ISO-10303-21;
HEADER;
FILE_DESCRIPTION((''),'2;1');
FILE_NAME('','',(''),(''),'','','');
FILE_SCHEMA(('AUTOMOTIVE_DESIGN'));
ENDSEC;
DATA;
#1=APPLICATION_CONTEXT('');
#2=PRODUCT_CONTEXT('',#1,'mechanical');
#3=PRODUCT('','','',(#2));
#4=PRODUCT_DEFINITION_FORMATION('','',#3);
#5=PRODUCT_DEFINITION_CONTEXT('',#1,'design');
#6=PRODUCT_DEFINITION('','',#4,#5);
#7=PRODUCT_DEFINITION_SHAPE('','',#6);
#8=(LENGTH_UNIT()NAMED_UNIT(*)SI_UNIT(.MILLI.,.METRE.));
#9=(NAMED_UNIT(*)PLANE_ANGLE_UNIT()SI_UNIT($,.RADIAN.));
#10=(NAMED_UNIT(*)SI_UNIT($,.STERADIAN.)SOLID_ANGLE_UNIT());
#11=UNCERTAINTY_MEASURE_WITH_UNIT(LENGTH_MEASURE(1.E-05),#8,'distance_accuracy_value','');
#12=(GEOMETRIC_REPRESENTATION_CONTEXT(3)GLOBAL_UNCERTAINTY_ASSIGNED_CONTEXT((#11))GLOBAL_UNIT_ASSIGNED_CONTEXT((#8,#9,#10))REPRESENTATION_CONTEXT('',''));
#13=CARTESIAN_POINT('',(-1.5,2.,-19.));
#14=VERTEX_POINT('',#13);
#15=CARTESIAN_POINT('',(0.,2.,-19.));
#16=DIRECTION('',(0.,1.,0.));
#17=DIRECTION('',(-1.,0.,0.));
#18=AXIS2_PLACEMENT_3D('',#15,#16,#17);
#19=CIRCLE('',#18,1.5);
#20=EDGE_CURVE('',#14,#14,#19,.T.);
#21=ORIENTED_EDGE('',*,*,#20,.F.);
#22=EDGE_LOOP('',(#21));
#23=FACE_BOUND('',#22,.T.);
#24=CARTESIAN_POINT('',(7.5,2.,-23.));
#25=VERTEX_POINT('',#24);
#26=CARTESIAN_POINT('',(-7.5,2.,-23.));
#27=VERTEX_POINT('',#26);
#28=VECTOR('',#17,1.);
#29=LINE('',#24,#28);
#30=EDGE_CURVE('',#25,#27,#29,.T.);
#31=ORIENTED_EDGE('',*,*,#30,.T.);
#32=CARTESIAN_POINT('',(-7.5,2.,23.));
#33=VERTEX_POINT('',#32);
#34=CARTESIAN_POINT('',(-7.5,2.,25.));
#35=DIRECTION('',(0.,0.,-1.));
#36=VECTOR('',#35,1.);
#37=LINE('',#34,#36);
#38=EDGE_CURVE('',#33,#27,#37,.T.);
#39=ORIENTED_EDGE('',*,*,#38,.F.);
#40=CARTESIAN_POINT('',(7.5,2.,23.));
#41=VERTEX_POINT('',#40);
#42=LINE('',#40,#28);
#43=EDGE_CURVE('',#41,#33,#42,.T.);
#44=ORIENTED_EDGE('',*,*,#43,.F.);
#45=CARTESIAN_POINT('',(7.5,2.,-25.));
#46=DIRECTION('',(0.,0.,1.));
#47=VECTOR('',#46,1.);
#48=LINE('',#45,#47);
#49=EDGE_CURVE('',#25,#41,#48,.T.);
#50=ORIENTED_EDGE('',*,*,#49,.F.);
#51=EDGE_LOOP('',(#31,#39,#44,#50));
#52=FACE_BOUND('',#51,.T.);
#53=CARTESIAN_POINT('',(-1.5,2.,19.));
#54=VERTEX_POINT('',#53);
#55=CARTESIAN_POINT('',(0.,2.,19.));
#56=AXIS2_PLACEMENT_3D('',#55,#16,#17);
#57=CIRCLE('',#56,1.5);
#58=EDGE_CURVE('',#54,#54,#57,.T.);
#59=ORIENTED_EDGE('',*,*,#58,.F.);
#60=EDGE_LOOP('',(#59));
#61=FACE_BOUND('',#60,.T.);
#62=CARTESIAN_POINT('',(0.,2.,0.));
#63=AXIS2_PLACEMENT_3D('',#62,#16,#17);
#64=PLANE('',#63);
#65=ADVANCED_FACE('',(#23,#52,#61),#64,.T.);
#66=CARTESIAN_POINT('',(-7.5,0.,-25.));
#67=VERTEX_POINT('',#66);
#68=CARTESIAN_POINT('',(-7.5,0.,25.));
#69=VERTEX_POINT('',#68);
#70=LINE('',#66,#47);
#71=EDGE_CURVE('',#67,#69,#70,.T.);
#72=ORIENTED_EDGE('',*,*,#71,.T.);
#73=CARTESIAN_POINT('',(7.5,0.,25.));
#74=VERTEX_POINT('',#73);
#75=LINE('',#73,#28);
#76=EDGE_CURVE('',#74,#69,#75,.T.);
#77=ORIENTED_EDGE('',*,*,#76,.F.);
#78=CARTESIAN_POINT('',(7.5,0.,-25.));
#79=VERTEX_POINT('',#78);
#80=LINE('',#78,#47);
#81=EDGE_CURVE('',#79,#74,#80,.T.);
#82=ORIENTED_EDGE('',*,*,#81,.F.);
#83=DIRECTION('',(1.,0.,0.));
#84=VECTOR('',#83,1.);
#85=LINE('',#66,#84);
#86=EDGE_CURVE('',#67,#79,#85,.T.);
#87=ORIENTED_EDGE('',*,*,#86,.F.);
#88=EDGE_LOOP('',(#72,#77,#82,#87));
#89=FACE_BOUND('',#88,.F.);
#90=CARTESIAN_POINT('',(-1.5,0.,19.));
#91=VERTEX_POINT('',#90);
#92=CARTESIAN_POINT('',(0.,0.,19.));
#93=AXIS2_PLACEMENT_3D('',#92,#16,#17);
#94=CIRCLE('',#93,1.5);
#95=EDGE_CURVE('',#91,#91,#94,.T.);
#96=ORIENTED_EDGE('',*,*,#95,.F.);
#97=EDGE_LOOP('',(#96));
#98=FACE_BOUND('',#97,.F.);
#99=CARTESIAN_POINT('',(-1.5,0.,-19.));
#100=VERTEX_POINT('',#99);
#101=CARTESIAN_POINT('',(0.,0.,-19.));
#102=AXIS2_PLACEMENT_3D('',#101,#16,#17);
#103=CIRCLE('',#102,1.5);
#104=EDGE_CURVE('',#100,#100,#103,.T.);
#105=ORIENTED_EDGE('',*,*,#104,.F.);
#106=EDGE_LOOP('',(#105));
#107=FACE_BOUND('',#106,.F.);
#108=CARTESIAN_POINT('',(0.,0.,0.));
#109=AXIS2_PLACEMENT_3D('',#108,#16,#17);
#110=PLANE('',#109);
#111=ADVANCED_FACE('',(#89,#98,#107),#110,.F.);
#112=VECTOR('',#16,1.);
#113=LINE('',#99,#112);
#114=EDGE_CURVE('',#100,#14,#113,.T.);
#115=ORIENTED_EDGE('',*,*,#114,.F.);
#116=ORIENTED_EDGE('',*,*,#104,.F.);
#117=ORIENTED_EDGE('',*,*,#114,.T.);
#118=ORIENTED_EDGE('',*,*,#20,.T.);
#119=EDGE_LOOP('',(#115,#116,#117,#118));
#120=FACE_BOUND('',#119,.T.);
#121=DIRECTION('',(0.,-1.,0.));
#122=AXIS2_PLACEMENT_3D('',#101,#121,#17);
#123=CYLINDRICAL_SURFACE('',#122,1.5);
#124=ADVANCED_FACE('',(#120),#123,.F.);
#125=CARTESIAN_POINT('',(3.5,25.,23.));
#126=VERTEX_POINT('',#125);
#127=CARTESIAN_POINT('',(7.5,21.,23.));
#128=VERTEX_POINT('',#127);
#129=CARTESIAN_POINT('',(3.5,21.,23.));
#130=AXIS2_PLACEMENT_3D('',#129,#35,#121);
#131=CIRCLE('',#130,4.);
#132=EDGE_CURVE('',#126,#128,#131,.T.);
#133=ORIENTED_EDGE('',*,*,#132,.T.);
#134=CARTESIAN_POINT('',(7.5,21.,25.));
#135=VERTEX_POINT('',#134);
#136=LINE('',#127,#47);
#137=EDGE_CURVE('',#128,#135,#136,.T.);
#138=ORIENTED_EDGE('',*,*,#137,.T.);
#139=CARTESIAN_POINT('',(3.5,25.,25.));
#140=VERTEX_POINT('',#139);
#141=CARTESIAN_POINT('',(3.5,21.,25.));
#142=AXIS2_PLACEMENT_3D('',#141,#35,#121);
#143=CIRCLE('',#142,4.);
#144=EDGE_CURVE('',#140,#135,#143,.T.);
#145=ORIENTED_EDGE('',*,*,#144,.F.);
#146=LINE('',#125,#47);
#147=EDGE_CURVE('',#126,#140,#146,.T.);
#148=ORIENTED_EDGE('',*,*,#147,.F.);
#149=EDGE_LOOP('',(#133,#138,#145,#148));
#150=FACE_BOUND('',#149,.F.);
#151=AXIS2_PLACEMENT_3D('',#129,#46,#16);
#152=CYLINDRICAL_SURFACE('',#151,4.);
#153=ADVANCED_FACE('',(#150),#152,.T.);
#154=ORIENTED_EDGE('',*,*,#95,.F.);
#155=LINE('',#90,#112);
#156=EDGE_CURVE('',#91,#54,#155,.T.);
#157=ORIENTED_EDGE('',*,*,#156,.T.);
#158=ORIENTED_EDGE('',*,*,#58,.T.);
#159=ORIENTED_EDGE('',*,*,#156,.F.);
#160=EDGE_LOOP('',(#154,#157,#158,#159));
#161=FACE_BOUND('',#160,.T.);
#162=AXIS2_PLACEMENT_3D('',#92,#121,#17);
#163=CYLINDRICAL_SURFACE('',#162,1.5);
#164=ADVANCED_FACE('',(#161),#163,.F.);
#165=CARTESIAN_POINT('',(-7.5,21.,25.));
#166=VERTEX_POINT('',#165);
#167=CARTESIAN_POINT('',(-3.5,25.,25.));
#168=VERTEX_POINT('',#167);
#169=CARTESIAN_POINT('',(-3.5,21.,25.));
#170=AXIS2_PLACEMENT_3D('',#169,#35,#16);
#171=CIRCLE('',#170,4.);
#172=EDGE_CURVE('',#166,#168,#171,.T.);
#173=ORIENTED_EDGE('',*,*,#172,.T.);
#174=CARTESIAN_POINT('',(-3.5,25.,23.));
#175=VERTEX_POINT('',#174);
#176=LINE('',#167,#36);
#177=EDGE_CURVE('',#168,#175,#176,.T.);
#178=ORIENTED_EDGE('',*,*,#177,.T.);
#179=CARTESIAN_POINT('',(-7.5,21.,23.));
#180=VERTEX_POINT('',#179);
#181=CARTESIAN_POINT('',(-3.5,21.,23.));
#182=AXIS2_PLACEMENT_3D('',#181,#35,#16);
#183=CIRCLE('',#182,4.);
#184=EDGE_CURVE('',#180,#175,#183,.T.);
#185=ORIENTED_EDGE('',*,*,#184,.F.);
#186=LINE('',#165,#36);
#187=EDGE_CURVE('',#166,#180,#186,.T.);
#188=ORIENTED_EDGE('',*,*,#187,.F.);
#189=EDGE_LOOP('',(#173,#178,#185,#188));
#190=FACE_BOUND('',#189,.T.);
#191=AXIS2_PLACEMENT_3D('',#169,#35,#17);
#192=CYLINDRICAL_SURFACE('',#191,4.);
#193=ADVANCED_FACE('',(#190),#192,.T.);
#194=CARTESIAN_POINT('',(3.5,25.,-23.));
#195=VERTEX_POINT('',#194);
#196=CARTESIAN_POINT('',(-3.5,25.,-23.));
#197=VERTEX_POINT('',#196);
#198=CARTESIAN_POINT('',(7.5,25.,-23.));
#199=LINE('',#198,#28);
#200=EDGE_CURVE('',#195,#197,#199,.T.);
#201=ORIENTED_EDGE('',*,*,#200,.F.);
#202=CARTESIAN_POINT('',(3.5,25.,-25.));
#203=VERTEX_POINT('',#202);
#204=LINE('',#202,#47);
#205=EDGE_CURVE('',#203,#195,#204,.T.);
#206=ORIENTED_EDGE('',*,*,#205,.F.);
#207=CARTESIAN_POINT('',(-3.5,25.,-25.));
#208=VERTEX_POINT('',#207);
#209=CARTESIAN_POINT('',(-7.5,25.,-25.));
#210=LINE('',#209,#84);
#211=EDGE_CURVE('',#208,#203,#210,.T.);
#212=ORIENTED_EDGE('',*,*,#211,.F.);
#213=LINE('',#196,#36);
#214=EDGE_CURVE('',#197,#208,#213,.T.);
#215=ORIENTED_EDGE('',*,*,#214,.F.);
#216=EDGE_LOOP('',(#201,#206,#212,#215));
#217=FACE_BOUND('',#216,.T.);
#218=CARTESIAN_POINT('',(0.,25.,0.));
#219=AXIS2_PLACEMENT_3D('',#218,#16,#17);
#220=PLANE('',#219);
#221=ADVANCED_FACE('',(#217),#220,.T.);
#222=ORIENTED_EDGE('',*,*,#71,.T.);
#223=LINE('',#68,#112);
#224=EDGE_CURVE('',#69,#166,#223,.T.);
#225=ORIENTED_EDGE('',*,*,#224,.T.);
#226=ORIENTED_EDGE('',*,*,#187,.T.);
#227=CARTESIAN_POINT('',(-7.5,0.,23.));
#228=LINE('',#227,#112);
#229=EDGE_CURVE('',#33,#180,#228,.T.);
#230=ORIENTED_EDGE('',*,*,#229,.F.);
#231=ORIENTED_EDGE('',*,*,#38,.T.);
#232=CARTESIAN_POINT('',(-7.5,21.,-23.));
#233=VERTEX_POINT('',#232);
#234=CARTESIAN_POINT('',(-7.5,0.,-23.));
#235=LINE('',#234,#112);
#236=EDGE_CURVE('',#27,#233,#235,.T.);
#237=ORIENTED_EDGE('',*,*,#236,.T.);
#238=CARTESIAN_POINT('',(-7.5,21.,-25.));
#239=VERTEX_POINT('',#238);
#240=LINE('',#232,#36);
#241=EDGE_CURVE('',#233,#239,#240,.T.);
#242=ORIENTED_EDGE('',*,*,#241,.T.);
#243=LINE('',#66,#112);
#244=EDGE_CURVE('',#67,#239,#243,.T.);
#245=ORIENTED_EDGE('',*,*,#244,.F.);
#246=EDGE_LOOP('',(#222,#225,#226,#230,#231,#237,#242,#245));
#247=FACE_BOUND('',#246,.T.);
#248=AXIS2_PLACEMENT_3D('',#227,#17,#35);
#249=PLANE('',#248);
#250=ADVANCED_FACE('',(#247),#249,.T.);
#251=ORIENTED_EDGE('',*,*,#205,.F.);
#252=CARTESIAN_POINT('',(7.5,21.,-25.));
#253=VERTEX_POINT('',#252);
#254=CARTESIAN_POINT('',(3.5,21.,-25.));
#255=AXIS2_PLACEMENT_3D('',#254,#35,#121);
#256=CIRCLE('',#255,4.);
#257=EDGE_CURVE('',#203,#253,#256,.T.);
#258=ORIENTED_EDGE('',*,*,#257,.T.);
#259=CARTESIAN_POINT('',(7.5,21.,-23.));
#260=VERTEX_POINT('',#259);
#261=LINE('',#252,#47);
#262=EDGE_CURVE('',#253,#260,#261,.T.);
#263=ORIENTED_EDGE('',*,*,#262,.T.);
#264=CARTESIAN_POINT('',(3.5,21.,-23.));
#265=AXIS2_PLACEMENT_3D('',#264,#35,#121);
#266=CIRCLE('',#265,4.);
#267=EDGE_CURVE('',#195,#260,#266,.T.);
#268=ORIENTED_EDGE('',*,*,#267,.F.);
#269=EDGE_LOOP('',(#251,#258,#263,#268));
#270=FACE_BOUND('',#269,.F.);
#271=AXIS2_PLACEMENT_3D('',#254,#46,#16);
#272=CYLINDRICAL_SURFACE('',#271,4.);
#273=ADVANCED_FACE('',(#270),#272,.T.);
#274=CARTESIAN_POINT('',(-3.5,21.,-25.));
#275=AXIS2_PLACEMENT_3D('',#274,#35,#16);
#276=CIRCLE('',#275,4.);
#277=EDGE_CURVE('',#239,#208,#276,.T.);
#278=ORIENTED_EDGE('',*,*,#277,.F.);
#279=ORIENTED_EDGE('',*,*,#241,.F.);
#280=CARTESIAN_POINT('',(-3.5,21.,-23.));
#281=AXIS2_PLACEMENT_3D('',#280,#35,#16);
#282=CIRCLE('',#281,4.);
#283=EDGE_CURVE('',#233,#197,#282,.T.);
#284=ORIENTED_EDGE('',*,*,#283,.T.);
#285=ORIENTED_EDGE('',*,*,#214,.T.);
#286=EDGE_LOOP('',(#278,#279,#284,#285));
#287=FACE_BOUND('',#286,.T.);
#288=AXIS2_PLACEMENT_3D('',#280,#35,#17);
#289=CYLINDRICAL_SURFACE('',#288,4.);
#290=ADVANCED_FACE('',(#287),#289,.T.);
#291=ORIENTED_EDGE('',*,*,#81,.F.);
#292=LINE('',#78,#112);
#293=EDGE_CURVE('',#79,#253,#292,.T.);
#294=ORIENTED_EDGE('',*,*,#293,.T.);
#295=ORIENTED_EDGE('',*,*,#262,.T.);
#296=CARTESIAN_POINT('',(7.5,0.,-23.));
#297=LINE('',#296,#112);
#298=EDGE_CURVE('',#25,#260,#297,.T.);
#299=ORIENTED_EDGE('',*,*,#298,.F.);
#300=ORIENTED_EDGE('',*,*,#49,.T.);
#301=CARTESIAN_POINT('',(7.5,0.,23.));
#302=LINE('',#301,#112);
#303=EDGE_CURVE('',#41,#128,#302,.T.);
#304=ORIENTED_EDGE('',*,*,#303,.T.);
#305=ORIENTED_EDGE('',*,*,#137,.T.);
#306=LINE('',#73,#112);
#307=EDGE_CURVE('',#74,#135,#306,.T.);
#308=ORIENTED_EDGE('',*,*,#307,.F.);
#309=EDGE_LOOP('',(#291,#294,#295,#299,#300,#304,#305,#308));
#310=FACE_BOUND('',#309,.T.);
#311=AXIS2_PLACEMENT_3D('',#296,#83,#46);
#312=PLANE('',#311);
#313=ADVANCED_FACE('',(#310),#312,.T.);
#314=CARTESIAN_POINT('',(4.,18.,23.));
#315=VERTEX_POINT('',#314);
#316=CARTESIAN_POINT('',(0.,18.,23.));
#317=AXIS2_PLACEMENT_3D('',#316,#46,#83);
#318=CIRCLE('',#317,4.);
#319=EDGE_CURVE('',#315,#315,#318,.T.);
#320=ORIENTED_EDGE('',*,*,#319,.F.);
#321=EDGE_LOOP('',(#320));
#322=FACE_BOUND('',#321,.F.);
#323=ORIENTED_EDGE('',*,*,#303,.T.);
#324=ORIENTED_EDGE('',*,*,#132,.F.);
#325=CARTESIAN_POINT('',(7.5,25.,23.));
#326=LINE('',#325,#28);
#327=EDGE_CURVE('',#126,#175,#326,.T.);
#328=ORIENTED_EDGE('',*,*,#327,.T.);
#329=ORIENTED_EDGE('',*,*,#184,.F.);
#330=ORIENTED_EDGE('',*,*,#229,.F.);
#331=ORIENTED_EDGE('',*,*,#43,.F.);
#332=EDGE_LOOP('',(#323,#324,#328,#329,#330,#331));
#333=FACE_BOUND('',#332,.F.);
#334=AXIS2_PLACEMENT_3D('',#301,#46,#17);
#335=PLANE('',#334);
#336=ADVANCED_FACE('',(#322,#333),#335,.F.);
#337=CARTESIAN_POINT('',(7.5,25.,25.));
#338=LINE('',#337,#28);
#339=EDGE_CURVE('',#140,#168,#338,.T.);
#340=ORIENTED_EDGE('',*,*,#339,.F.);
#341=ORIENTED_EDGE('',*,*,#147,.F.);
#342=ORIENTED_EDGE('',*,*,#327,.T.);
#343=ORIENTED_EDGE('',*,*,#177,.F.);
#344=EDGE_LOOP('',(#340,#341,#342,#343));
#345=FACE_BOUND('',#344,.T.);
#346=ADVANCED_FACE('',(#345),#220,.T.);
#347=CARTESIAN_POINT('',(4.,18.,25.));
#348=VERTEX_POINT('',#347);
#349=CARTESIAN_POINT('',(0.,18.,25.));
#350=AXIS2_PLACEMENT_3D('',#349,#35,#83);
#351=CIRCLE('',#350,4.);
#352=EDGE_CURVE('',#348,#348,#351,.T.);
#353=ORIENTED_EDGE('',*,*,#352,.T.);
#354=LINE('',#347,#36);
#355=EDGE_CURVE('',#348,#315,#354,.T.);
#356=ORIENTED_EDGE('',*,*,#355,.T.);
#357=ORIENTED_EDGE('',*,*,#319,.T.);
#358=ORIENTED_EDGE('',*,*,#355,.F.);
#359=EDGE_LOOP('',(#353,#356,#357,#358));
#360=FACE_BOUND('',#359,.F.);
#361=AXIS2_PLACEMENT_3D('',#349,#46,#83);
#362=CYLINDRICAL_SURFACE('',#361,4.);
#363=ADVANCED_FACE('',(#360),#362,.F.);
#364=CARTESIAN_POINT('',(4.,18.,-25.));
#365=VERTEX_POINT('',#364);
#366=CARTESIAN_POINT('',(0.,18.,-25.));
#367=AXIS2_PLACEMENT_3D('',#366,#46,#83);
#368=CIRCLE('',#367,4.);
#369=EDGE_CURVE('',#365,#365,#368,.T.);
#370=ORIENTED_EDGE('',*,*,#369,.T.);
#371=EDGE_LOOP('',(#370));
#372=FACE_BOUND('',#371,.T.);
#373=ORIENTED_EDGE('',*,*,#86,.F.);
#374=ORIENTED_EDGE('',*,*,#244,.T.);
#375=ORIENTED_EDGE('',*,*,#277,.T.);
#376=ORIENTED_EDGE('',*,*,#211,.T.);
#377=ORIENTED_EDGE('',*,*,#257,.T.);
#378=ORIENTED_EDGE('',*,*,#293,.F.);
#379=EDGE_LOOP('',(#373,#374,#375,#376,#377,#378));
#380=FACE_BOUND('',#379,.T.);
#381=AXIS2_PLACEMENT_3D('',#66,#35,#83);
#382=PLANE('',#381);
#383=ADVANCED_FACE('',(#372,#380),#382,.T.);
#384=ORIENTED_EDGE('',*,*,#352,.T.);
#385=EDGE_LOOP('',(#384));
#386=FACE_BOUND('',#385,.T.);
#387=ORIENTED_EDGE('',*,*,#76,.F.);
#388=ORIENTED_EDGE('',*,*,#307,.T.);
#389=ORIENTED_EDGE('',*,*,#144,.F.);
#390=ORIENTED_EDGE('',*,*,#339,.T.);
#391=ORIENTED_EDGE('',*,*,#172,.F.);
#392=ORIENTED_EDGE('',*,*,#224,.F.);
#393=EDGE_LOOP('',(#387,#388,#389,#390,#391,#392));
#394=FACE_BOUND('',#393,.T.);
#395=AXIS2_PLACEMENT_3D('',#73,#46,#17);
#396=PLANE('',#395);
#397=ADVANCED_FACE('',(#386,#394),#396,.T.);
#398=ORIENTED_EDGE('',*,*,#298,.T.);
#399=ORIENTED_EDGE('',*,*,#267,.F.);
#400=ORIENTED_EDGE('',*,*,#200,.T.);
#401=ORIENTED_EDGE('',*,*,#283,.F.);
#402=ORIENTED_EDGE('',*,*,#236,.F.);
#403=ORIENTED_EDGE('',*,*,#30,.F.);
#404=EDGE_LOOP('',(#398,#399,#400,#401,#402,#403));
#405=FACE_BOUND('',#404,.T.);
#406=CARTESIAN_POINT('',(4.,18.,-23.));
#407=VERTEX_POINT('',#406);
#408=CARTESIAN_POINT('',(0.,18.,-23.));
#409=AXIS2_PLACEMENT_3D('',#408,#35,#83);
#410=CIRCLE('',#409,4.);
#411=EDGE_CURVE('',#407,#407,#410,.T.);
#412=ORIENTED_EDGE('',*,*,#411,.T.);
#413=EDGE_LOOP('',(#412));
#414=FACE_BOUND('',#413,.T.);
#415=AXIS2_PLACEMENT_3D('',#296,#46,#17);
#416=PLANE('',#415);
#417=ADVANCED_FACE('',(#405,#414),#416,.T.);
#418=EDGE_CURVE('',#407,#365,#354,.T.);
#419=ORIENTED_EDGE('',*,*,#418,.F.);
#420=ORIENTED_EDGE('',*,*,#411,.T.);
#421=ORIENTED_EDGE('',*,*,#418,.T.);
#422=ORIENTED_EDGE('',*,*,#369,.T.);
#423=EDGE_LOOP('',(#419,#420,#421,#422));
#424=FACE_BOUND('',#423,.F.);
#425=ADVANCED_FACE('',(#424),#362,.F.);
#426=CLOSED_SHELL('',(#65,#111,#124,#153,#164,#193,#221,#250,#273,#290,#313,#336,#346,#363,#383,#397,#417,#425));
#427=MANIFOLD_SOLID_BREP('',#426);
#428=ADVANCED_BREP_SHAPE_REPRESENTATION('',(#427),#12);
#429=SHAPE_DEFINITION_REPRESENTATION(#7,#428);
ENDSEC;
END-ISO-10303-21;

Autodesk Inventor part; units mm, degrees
ref_plane "YZ Plane" through (0, 0, 0) normal (1, 0, 0) x (0, 1, 0)
ref_plane "XZ Plane" through (0, 0, 0) normal (0, 1, 0) x (-1, 0, 0)
ref_plane "XY Plane" through (0, 0, 0) normal (0, 0, 1) x (1, 0, 0)
sketch "Sketch1" plane through (0, 0, 0) normal (0, 1, 0) x (-1, 0, 0)
  line L0 (-7.5, 25) -> (7.5, 25)
  line L1 (7.5, 25) -> (7.5, -25)
  line L2 (7.5, -25) -> (-7.5, -25)
  line L3 (-7.5, -25) -> (-7.5, 25)
  line L4 (-7.5, 25) -> (7.5, -25) construction
  line L5 (7.5, 25) -> (-7.5, -25) construction
  line L6 (0.5, -19) -> (-0.5, -19)
  line L7 (-0.5, 19) -> (0.5, 19)
  circle A0 centre (0, 19) radius 1.5
  circle A1 centre (0, -19) radius 1.5
  line L8 (7.5, -25) -> (-7.5, -25)
  line L9 (-7.5, -25) -> (-7.5, -23)
  line L10 (-7.5, -23) -> (7.5, -23)
  line L11 (7.5, -23) -> (7.5, -25)
  line L12 (7.5, 25) -> (-7.5, 25)
  line L13 (-7.5, 25) -> (-7.5, 23)
  line L14 (-7.5, 23) -> (7.5, 23)
  line L15 (7.5, 23) -> (7.5, 25)
  point P0 (0, 0)
  point P1 (0, 0)
  dimension "d0" = 15
  dimension "d1" = 50
  dimension "d2" = 1
  dimension "d3" = 38
  dimension "d4" = 3
  dimension "d5" = 3
  dimension "d6" = 15
  dimension "d7" = 2
  dimension "d8" = 15
  dimension "d9" = 2
extrude "Extrusion1" add sketch "Sketch1" along normal blind 2 contours L14 L1 L10 L3
extrude "Extrusion2" add sketch "Sketch1" along normal blind 25 contours L0 L1 L14 L3 | L10 L1 L2 L3
sketch "Sketch2" plane through (-7.5, 0, 25) normal (0, 0, 1) x (1, 0, 0)
  line L0 (7.5, 0) -> (7.5, 18)
  line L1 (7.5, 0) -> (25.5, 0) construction
  circle A0 centre (7.5, 18) radius 4
  dimension "d14" = 18
  dimension "d15" = 90
  dimension "d16" = 8
extrude "Extrusion3" cut sketch "Sketch2" against normal blind 50
fillet "Fillet1" radius 4 4 edges at (-7.5, 25, -24) (7.5, 25, -24) (-7.5, 25, 24) (7.5, 25, 24)
properties part number "senzor_drzak"
